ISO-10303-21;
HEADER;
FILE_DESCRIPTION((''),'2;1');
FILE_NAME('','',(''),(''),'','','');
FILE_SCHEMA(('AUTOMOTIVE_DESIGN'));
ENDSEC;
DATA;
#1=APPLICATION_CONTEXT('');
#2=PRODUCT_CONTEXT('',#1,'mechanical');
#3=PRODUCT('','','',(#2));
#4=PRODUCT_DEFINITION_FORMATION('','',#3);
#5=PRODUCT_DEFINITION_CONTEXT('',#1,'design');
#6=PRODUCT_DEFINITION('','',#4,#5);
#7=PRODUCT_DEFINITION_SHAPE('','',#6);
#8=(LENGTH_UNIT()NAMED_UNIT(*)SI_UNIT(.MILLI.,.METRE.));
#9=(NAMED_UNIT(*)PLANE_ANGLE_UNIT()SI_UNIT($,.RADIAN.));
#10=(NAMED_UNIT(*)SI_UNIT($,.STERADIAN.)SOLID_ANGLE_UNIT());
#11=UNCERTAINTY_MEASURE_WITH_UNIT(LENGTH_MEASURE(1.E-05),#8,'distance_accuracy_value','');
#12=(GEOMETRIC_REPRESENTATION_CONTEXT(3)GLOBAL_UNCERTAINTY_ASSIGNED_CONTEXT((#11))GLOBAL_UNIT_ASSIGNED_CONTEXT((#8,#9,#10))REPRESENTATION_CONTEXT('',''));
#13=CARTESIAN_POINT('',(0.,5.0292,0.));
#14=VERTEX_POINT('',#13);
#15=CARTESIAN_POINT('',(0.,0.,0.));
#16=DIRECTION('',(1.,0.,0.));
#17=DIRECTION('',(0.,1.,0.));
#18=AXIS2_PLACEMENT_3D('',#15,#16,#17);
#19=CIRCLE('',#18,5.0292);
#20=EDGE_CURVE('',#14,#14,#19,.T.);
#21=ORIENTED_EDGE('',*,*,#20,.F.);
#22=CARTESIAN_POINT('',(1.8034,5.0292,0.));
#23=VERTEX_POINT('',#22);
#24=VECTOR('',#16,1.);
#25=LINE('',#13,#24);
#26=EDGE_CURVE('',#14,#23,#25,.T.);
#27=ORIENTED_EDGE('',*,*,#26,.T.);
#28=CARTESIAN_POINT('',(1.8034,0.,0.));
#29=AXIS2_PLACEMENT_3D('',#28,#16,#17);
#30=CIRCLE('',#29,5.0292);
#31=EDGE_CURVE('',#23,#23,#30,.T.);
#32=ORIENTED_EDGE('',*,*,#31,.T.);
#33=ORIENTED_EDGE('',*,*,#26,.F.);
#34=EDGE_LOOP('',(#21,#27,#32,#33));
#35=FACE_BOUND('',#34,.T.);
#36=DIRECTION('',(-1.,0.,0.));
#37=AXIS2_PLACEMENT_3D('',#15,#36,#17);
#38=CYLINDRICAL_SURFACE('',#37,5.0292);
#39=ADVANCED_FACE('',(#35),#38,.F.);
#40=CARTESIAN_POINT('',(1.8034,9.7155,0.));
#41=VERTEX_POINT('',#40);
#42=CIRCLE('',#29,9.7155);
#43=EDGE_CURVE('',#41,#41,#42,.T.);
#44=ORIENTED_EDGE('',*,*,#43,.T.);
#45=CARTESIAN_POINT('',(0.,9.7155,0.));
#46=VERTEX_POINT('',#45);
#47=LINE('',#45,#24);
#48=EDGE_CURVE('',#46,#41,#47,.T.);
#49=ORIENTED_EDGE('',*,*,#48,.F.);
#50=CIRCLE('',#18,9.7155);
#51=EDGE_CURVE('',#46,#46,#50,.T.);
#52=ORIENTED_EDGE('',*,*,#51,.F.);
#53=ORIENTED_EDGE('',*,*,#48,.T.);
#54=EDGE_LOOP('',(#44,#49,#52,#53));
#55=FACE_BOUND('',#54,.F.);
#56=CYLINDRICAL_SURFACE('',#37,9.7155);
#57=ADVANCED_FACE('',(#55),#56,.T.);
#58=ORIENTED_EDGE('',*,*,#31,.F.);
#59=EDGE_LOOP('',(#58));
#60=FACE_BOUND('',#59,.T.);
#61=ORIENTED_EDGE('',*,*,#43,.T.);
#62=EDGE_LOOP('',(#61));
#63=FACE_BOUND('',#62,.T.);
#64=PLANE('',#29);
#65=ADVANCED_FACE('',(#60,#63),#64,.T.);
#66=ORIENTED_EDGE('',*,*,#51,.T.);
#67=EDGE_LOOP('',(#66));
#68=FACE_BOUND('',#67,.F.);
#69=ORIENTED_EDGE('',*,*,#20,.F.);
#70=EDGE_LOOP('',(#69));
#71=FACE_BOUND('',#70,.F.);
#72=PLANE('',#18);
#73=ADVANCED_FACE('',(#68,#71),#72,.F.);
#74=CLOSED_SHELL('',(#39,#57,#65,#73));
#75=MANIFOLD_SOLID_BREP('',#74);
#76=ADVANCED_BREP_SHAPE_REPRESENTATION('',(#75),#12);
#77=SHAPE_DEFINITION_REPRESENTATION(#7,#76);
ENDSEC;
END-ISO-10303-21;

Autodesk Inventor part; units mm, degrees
ref_plane "YZ Plane" through (0, 0, 0) normal (1, 0, 0) x (0, 1, 0)
ref_plane "XZ Plane" through (0, 0, 0) normal (0, 1, 0) x (-1, 0, 0)
sketch "Boceto" plane through (0, 0, 0) normal (1, 0, 0) x (0, 1, 0)
  circle A0 centre (0, 0) radius 9.7155
  circle A1 centre (0, 0) radius 5.0292
  dimension "d0" = 10.0584
  dimension "d1" = 19.431
extrude "Cuerpo" add sketch "Boceto" along normal blind 1.8034
ref_plane "Work Plane1" through (0, 0, 0) normal (0, 0, 1) x (1, 0, 0)
equation "\"d0\" = SD1"
equation "\"d1\" = SD2"
equation "\"d2\" = SD"
equation "\"SD1\" = 10.0584"
equation "\"SD2\" = 19.431"
equation "\"SD\" = 1.8034"
equation "\"NND\" = 9.525"
properties part number "SAE J773b - 3/8. SAE Tipo L. Fino" material "Acero, suave"
